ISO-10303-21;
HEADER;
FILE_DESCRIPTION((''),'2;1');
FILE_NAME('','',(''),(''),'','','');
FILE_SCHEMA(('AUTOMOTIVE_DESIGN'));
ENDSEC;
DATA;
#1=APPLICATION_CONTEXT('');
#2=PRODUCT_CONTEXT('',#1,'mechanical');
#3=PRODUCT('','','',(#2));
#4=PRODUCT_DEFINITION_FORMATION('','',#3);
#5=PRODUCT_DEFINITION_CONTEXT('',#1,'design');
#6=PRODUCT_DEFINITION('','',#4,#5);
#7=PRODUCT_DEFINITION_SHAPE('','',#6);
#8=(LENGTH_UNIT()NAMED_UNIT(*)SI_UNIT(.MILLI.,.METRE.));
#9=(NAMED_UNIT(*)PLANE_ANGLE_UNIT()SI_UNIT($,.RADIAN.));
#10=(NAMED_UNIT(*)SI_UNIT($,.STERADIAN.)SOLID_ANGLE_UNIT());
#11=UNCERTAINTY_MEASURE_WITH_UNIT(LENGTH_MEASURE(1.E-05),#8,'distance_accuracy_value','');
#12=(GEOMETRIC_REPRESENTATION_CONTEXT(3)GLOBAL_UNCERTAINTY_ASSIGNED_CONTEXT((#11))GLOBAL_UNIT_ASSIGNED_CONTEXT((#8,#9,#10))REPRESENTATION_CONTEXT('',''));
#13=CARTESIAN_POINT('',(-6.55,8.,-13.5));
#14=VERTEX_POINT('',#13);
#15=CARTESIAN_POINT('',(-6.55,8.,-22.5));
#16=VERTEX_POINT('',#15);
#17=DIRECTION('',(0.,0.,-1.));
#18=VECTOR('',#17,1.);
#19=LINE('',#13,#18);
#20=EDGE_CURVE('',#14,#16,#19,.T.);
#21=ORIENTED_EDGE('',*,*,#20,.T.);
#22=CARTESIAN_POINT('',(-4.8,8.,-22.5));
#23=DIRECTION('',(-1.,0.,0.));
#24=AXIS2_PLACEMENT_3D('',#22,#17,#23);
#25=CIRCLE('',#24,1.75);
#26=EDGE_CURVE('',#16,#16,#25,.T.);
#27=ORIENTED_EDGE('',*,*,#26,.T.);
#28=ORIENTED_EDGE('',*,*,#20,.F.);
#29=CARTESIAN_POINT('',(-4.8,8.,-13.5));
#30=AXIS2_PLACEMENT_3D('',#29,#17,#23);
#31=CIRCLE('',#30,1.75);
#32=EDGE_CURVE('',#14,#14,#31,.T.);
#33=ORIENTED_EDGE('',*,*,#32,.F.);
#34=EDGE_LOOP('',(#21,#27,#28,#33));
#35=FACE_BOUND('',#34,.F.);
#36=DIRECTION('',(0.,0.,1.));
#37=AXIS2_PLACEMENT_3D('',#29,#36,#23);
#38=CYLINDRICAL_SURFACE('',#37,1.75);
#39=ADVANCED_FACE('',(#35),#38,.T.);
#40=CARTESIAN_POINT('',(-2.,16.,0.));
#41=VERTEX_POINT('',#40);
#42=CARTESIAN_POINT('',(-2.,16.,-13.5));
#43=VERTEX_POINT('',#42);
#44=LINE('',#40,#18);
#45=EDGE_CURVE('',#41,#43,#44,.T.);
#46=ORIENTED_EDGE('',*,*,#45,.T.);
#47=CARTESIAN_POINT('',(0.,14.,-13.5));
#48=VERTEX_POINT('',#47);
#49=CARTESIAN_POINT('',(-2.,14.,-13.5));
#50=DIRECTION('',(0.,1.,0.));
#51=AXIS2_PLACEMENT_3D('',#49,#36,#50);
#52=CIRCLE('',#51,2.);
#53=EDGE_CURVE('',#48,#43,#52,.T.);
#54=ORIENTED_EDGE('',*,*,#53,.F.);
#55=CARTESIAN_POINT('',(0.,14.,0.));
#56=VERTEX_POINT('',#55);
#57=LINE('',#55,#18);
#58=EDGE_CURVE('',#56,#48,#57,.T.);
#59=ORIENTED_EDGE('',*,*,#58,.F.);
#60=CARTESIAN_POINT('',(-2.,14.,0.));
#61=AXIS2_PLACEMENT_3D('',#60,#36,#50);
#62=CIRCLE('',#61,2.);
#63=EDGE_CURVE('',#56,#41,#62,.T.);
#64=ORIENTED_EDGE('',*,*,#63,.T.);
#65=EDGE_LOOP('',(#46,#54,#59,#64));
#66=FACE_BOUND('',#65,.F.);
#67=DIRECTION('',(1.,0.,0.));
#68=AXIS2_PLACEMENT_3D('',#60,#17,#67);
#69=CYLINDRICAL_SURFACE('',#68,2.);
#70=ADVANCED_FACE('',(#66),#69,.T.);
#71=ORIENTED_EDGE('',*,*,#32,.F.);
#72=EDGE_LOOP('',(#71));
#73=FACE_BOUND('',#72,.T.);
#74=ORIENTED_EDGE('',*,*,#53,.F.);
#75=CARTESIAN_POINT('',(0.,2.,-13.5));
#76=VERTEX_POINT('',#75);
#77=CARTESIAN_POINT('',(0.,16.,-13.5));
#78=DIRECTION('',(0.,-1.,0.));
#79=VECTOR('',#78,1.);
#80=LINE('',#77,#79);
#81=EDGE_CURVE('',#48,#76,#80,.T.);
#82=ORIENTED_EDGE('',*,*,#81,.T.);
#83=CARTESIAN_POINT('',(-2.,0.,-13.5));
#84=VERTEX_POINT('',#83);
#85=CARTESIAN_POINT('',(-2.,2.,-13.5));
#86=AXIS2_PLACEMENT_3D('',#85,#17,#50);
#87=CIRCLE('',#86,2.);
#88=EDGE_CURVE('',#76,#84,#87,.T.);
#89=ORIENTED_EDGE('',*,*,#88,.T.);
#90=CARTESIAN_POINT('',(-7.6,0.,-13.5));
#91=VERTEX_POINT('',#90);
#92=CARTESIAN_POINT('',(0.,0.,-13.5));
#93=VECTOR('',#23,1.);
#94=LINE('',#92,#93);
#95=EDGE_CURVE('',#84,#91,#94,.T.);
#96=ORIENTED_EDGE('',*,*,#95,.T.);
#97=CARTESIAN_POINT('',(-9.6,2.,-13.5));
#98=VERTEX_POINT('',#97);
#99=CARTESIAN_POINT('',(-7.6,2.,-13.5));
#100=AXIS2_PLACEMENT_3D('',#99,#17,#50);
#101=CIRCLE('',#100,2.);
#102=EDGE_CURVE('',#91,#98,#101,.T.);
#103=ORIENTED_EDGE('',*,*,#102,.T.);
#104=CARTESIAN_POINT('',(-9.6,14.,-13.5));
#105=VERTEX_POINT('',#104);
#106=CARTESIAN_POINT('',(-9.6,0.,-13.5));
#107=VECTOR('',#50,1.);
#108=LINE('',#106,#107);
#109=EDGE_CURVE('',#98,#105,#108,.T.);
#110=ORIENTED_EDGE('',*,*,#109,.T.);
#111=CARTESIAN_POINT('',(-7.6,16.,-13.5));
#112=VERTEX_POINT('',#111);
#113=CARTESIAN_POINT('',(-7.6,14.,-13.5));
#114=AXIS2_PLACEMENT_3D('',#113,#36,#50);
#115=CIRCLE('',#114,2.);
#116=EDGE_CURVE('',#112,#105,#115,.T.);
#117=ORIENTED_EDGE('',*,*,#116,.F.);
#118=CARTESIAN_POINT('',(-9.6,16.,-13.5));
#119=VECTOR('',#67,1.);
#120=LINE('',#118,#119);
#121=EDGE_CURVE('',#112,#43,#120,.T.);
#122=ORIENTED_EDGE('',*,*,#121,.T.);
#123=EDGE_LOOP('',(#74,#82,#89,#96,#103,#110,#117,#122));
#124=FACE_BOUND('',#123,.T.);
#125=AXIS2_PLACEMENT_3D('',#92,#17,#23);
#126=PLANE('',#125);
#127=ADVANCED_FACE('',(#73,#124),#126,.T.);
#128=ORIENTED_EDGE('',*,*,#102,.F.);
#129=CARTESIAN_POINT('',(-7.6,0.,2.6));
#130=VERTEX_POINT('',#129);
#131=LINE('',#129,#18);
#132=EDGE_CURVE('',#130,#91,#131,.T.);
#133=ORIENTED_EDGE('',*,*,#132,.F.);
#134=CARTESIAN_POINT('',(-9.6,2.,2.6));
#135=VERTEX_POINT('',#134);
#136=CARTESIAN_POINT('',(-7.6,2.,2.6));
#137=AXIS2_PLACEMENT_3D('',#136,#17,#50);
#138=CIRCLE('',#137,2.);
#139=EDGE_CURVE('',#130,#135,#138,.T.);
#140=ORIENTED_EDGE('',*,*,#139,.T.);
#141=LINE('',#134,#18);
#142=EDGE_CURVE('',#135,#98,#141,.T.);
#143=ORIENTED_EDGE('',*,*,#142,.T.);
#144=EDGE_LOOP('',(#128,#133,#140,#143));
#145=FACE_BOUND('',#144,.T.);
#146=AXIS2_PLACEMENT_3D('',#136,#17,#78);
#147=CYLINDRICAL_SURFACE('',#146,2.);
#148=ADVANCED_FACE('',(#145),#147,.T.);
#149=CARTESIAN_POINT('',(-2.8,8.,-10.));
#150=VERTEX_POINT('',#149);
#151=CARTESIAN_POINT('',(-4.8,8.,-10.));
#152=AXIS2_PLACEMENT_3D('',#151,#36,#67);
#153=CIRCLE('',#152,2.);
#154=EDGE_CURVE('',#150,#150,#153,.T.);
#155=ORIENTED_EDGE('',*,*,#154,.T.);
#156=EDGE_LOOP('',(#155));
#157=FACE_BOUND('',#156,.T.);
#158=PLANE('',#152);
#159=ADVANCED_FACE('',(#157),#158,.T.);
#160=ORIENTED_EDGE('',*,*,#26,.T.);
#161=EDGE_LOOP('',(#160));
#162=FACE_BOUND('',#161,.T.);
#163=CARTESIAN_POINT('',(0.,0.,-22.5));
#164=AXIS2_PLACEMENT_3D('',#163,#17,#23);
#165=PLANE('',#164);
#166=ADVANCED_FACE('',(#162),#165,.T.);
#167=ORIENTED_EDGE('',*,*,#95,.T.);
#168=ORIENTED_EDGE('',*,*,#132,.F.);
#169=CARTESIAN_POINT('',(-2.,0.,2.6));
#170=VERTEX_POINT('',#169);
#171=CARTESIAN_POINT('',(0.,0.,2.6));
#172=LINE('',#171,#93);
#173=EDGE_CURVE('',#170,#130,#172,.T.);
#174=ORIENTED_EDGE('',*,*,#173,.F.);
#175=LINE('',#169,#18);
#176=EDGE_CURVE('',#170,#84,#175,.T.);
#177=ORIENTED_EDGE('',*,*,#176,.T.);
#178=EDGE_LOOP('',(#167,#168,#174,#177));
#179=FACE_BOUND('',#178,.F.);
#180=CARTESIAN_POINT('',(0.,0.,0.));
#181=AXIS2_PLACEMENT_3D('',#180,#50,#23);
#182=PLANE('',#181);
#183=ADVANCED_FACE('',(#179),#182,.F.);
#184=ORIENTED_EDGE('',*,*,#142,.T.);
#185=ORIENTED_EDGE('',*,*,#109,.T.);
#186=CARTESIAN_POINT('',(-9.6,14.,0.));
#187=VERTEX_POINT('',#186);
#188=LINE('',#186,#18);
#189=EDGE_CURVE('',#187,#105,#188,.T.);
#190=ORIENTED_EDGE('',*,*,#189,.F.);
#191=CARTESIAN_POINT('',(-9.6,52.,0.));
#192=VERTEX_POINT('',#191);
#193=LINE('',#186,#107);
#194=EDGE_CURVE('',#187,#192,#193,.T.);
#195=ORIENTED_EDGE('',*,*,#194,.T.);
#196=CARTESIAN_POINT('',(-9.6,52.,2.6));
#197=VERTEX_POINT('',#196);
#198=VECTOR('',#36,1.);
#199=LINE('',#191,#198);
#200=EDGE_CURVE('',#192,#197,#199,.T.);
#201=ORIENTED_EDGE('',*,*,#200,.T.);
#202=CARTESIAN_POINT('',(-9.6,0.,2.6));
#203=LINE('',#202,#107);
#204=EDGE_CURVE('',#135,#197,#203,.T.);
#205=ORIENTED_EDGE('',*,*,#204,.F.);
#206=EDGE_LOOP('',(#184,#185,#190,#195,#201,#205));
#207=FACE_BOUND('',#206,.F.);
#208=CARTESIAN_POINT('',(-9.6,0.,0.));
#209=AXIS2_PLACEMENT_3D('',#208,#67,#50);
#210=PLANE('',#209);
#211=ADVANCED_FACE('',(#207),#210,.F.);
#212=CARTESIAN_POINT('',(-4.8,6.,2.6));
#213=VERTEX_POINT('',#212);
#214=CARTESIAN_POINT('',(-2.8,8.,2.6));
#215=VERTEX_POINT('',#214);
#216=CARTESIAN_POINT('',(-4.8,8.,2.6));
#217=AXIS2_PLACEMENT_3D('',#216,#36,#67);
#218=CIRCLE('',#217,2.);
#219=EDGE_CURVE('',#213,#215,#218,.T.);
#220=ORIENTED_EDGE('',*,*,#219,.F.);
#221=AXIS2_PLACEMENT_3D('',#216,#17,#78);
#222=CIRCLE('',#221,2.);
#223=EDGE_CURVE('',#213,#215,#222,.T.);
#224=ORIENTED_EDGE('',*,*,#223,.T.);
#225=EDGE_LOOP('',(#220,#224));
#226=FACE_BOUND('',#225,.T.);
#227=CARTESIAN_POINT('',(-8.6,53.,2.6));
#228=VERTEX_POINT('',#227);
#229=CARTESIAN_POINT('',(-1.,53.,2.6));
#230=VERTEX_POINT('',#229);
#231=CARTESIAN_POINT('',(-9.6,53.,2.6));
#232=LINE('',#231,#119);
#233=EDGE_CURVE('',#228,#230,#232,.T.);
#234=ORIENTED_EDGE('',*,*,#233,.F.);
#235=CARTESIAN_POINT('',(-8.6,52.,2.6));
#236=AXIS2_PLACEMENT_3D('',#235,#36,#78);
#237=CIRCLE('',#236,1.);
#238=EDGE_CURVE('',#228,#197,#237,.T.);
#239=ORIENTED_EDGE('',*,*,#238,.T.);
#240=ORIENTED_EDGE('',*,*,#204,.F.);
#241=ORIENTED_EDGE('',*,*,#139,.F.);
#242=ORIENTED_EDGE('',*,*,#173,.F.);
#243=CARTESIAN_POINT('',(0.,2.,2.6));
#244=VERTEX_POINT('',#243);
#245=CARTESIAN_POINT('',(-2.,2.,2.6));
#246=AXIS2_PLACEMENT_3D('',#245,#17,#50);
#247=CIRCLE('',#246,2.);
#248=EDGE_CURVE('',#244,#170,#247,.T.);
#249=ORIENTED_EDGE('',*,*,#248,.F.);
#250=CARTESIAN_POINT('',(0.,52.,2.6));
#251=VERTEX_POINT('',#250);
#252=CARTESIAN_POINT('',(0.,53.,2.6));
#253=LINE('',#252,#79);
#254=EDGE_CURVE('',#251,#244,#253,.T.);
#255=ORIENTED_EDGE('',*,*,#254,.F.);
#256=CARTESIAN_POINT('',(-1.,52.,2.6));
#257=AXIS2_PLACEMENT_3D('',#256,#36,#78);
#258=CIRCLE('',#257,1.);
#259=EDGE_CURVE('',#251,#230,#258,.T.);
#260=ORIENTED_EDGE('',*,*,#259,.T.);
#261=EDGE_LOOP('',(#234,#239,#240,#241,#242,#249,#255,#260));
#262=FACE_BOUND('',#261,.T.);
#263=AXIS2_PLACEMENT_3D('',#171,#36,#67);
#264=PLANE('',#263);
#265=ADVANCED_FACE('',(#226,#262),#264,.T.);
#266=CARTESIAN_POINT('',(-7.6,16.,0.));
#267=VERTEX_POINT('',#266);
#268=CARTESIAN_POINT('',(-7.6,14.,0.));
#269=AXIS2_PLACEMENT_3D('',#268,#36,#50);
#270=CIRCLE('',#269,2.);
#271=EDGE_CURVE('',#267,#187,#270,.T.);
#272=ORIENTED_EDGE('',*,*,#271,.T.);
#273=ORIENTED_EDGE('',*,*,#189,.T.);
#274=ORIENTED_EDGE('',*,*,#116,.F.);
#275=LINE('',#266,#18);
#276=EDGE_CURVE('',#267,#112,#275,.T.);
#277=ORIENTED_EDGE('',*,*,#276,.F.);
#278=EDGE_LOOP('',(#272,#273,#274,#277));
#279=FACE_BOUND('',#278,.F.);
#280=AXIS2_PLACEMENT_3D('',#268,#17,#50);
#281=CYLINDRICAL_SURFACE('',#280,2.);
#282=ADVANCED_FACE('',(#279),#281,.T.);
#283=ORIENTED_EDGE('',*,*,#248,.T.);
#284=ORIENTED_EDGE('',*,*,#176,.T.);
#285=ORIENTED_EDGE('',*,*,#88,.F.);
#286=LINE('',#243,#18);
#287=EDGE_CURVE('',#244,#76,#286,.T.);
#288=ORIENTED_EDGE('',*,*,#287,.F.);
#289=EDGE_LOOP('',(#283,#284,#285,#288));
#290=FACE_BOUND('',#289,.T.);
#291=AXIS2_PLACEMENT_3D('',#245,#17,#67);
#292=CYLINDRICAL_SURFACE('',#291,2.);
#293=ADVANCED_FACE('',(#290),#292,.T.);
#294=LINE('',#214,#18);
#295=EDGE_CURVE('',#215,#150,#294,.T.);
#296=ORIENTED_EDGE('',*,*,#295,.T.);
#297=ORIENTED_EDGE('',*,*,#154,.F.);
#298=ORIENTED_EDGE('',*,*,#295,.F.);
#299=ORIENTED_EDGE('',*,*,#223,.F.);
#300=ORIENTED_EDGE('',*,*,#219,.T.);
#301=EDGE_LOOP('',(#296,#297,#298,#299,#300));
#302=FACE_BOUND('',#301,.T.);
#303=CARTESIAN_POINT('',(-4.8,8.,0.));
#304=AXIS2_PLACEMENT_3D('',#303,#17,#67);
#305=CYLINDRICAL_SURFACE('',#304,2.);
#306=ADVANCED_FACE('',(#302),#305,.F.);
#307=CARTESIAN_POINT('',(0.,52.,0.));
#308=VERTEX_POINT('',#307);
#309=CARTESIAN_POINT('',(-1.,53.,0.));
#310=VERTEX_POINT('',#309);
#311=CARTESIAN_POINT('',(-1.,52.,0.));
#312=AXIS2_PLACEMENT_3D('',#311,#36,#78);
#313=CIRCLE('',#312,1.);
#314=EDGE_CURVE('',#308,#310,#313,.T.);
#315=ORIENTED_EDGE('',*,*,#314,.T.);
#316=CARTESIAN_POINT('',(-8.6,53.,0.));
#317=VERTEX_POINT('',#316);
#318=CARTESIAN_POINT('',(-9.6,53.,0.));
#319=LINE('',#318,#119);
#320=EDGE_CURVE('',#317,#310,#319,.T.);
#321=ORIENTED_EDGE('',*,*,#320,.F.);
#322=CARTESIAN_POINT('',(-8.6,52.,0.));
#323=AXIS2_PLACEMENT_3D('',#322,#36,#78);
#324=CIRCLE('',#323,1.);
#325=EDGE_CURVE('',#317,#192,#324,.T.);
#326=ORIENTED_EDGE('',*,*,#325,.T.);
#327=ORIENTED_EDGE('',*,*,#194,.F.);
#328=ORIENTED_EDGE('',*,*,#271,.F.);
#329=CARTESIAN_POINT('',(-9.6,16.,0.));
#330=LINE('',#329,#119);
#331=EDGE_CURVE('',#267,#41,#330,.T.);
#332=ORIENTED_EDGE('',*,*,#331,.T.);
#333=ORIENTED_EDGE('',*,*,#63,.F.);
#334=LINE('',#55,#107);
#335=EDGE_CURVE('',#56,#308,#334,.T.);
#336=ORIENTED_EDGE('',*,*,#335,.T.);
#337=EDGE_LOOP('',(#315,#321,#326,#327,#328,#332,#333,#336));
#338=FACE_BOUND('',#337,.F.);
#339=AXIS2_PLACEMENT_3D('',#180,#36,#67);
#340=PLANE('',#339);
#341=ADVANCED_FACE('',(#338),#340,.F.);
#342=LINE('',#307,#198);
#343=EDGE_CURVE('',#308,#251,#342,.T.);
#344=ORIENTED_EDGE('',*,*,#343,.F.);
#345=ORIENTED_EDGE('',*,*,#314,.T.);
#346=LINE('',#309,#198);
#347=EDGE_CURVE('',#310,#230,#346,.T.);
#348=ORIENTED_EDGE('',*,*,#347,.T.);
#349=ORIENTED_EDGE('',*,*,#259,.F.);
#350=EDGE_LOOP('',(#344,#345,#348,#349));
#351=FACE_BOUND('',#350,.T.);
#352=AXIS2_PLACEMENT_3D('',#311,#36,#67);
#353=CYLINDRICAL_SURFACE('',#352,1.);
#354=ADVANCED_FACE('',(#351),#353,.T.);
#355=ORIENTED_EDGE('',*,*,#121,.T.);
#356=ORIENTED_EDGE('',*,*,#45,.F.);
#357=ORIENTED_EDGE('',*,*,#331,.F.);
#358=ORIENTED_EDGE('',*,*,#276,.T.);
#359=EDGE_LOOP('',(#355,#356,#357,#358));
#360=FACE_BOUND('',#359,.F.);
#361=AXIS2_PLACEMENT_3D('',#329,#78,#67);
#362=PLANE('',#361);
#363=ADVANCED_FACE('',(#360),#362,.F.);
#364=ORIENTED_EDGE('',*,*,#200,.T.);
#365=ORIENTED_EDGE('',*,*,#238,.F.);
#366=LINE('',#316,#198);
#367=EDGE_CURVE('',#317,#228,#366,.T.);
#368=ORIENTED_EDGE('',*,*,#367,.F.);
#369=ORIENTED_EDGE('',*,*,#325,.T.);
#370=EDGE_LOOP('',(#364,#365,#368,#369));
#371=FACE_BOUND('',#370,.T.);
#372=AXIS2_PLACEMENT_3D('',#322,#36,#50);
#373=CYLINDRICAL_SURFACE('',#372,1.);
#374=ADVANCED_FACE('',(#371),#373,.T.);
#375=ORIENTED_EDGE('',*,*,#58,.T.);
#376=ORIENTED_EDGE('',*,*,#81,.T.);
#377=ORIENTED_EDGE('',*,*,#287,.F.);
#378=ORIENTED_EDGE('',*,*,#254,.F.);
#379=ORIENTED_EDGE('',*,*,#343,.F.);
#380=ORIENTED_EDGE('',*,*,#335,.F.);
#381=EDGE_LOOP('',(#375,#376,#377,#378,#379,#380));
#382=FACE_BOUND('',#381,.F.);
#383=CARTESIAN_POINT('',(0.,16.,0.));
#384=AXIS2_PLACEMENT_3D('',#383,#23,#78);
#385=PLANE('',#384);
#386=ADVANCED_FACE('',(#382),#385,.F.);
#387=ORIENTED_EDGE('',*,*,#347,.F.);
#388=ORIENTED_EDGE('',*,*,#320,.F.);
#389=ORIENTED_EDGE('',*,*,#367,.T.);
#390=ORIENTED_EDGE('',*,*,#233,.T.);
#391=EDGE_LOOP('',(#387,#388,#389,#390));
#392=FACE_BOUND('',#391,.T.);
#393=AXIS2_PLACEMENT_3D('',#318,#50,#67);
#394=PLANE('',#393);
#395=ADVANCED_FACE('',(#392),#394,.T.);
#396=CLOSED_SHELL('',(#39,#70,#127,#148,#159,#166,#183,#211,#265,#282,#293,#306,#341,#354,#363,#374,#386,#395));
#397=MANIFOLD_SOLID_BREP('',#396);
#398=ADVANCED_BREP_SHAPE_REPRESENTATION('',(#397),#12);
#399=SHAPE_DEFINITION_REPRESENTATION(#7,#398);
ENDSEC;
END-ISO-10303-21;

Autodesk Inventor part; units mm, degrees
ref_plane "YZ Plane" through (0, 0, 0) normal (1, 0, 0) x (0, 1, 0)
ref_plane "XZ Plane" through (0, 0, 0) normal (0, 1, 0) x (-1, 0, 0)
ref_plane "XY Plane" through (0, 0, 0) normal (0, 0, 1) x (1, 0, 0)
sketch "Sketch8" plane through (0, 0, 0) normal (0, 0, 1) x (1, 0, 0)
  line L0 (0, 0) -> (-9.6, 0)
  line L1 (-9.6, 0) -> (-9.6, 53)
  line L2 (-9.6, 53) -> (0, 53)
  line L3 (0, 53) -> (0, 0)
  line L4 (0, 4) -> (-9.6, 4)
  line L5 (-4.8, 4) -> (-4.8, 12)
  circle A0 centre (-4.8, 8) radius 2
  point P0 (-4.8, 6)
  point P1 (-4.8, 10)
  dimension "d23" = 9.6
  dimension "d24" = 53
  dimension "d25" = 8
  dimension "d26" = 4
extrude "Extrusion7" add sketch "Sketch8" along normal blind 2.6
sketch "Sketch9" plane through (0, 0, 0) normal (0, 0, -1) x (-1, 0, 0)
  line L0 (0, 0) -> (9.6, 0)
  line L1 (9.6, 0) -> (9.6, 16)
  line L2 (9.6, 16) -> (0, 16)
  line L3 (0, 16) -> (0, 0)
  dimension "d29" = 9.6
  dimension "d30" = 16
extrude "Extrusion8" add sketch "Sketch9" along normal blind 13.5
sketch "Sketch10" plane through (0, 0, -13.5) normal (0, 0, -1) x (-1, 0, 0)
  circle A0 centre (4.8, 8) radius 1.75
  circle A1 centre (4.8, 8) radius 1.75
  point P0 (0, 0)
  dimension "d33" = 3.5
  dimension "d41" = 3.5
extrude "Extrusion9" add sketch "Sketch10" along normal blind 9
fillet "Fillet2" radius 2 4 edges at (-9.6, 16, -6.75) (0, 16, -6.75) (-9.6, 0, -5.45) (0, 0, -5.45)
fillet "Fillet3" radius 1 2 edges at (-9.6, 53, 1.3) (0, 53, 1.3)
sketch "Sketch11" plane through (-4.8, 8, 0) normal (0, 0, 1) x (1, 0, 0)
  circle A0 centre (0, 0) radius 2
  point P0 (4.8, -8)
  dimension "d38" = 4
extrude "Extrusion10" cut sketch "Sketch11" against normal blind 10
properties part number "Hook_TestFit"
